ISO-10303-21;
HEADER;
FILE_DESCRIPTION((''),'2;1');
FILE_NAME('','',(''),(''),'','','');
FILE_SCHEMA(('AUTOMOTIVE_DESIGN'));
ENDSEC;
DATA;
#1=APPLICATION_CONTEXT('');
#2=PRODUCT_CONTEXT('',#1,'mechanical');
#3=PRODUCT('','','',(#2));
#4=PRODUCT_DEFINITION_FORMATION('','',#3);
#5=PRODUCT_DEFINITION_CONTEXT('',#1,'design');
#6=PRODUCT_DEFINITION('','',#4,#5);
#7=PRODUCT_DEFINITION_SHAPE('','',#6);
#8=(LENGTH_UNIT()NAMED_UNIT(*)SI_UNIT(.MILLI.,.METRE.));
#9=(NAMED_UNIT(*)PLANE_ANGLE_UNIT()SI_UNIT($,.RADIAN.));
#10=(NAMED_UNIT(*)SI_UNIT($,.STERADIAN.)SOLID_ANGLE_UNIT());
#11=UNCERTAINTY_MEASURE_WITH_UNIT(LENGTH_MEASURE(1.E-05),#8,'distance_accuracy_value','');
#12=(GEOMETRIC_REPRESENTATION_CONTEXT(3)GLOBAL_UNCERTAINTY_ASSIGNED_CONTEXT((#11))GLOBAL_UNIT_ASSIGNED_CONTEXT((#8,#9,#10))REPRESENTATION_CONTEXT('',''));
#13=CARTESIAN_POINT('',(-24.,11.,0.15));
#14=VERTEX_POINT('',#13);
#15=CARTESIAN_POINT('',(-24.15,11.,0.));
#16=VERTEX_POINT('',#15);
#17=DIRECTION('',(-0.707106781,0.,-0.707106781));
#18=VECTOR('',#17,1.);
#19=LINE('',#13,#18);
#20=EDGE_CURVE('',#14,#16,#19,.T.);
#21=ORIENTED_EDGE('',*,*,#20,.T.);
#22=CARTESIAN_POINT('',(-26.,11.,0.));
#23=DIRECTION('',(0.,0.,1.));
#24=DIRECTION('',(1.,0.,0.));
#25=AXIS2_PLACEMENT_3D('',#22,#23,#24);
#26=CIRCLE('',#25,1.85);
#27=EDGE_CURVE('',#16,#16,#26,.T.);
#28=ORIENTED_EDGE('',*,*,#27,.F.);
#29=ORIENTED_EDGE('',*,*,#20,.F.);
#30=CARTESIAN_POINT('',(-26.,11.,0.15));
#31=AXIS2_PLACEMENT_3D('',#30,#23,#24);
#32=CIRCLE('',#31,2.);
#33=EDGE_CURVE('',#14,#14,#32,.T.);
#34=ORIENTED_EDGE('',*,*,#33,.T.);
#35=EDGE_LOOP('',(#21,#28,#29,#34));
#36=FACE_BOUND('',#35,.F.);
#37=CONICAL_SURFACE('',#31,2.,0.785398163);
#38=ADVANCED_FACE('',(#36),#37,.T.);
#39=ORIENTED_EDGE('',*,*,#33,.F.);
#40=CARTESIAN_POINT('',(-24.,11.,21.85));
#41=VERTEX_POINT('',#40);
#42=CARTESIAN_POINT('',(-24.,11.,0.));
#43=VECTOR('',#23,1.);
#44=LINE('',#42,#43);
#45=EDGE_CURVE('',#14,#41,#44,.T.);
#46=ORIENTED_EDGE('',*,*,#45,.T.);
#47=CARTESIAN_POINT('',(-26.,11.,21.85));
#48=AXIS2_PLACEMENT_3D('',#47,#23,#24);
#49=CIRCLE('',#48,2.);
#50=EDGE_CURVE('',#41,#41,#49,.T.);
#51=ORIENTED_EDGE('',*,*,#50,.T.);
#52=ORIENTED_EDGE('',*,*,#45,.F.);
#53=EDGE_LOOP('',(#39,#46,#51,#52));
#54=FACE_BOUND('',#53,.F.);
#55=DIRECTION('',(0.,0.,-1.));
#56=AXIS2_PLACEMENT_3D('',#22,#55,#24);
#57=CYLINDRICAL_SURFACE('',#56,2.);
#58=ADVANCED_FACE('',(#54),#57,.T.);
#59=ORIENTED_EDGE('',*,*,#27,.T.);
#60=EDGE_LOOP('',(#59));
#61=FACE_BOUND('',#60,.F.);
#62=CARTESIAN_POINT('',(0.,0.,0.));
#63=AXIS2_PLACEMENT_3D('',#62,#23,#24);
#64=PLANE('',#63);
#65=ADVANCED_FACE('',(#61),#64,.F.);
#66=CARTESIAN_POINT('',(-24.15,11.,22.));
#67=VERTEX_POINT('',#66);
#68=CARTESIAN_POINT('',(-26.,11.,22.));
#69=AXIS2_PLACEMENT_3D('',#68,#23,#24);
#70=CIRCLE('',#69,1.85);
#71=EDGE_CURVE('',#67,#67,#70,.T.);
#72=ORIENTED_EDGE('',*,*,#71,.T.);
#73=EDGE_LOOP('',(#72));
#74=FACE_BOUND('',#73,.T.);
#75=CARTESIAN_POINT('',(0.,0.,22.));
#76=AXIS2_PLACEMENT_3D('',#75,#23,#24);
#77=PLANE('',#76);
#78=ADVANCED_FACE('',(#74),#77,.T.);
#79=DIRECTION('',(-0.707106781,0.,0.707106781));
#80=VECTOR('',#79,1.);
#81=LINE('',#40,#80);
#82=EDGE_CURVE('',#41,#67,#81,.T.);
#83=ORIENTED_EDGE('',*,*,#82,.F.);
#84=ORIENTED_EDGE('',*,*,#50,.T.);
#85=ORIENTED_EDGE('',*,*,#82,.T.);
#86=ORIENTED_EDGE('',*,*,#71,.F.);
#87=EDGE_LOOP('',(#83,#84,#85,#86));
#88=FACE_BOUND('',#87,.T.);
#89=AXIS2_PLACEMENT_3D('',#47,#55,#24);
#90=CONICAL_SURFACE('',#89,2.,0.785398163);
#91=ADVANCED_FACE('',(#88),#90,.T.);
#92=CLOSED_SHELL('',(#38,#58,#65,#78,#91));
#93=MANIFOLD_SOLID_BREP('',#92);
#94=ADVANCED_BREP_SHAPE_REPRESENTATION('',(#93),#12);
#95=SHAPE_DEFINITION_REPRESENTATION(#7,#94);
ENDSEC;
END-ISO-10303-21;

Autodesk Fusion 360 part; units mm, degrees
sketch "Sketch2" plane through (0, 0, 0) normal (0, 0, 1) x (1, 0, 0)
  circle A0 centre (-26, 11) radius 2
  dimension "d5" = 4
extrude "Extrude2" add sketch "Sketch2" along normal blind 22
chamfer "Chamfer2" distance 0.15 angle 45 1 faces at (-24.0025, 10.9003, 14.6667)
sketch "Sketch1" plane through (0, 0, 0) normal (0, 0, 1) x (1, 0, 0)
  circle A0 centre (-66, 26) radius 1.5
  dimension "d1" = 3
extrude "Extrude1" [suppressed]
chamfer "Chamfer1" [suppressed]
